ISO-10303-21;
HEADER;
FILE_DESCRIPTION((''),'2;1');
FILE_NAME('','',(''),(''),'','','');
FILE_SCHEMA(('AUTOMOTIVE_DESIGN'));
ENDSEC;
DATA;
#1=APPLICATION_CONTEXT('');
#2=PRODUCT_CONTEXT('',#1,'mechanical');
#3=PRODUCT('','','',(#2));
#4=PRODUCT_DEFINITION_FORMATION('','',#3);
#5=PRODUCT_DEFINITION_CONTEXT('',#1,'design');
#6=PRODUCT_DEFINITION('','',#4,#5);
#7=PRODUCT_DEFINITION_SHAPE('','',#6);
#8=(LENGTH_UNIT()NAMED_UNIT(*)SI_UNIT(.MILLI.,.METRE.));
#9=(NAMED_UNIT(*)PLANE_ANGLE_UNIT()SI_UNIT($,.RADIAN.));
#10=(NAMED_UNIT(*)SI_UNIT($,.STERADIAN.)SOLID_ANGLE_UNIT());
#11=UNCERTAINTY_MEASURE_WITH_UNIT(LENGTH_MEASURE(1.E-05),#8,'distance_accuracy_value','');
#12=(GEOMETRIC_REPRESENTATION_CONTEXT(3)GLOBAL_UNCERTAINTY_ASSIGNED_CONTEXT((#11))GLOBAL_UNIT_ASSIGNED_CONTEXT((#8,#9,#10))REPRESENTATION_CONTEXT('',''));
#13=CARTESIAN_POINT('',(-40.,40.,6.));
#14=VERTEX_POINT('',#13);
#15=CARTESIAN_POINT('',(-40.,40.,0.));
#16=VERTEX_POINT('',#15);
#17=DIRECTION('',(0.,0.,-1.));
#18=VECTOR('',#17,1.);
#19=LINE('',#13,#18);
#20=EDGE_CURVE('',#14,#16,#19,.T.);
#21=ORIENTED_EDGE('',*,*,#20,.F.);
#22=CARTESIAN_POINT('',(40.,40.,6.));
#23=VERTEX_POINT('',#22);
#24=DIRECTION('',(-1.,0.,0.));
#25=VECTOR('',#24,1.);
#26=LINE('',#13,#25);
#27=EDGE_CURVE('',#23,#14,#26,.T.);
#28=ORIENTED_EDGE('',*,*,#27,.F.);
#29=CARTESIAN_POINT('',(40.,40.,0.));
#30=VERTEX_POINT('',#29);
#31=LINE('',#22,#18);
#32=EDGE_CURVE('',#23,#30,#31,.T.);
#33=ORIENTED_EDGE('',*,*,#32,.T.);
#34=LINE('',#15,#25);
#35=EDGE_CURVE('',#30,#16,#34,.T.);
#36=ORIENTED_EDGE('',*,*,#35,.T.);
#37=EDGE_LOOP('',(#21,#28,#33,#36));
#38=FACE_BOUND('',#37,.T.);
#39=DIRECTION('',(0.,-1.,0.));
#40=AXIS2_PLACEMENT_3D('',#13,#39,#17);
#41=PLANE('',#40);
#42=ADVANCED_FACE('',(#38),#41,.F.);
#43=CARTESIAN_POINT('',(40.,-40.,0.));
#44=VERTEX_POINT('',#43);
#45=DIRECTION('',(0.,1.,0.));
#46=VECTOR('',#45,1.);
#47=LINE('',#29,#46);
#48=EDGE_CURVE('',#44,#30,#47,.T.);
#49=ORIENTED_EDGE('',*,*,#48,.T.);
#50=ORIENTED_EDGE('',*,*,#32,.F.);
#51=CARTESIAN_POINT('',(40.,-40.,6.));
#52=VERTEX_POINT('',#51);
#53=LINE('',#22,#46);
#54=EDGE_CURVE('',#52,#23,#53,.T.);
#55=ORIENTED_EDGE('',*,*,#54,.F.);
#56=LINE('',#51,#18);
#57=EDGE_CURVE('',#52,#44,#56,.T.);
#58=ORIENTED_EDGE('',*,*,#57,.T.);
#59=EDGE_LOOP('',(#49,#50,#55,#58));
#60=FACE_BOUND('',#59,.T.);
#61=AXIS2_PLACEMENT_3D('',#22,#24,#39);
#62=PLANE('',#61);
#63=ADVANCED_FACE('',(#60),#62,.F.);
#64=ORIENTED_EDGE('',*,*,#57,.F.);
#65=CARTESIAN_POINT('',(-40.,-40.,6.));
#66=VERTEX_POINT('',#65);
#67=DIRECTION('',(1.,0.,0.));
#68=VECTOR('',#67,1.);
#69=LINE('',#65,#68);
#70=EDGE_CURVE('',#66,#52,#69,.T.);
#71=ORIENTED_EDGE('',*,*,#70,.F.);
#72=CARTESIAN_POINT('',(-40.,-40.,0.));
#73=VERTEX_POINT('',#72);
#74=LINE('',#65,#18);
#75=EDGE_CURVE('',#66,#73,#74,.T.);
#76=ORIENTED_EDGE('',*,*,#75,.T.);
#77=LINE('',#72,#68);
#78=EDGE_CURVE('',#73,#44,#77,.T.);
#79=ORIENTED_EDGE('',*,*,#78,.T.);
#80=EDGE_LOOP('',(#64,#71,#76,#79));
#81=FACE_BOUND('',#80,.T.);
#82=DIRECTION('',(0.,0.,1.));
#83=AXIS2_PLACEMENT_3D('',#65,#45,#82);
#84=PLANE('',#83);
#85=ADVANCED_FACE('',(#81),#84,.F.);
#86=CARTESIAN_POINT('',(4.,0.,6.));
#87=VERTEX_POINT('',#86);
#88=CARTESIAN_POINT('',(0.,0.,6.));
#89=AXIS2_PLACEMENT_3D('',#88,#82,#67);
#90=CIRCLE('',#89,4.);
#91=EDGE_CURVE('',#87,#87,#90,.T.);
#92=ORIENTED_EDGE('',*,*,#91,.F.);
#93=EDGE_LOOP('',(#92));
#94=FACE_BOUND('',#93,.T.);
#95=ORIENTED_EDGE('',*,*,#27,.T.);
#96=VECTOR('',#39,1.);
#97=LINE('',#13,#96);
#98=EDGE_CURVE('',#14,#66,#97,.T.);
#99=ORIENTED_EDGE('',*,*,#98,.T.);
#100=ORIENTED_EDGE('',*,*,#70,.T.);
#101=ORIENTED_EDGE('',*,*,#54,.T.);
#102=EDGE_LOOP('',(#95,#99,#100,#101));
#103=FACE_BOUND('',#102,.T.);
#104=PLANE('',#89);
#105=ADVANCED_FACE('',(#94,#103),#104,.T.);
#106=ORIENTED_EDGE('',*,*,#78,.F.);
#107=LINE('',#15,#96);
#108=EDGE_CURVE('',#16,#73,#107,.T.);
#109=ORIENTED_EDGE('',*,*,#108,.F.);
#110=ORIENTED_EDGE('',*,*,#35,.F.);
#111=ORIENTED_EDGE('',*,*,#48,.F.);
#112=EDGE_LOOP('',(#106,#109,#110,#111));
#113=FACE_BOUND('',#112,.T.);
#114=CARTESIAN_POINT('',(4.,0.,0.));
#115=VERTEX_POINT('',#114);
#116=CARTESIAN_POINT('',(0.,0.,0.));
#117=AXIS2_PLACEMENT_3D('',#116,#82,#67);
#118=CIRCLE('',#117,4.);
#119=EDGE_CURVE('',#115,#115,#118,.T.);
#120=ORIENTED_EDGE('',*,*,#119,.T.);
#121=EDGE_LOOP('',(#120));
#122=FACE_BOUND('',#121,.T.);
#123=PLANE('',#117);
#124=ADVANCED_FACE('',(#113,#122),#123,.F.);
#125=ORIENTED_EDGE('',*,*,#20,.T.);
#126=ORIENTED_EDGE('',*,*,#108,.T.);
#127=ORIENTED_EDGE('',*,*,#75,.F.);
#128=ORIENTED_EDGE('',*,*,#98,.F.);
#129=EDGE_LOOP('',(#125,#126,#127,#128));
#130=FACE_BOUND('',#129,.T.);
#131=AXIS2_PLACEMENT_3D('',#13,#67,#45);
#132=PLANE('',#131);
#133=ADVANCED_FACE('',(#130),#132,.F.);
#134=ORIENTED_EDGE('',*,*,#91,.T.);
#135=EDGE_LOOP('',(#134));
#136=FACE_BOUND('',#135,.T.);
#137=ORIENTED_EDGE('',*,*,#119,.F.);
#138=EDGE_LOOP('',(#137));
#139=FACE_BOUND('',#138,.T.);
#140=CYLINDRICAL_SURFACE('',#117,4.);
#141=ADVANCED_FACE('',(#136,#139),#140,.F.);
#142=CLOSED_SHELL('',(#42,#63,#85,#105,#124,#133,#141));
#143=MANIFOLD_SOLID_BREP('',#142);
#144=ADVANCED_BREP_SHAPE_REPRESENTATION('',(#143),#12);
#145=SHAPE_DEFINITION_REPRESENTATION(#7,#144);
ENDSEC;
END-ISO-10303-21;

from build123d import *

# Parameters (mm, degrees)
SKETCH1_W           = 80
SKETCH1_H           = 80
BOSS_EXTRUDE1_DEPTH = 6
SKETCH2_R           = 4
CUT_EXTRUDE1_DEPTH  = 6


with BuildPart() as part:
    # Sketch1 → Boss-Extrude1 (new body)
    with BuildSketch(Plane.XY):
        Rectangle(SKETCH1_W, SKETCH1_H)
    extrude(amount=BOSS_EXTRUDE1_DEPTH)

    # Sketch2 → Cut-Extrude1 (cut)
    with BuildSketch(Plane.XY.offset(6)):
        Circle(SKETCH2_R)
    extrude(amount=-CUT_EXTRUDE1_DEPTH, mode=Mode.SUBTRACT)


solid = part.part
